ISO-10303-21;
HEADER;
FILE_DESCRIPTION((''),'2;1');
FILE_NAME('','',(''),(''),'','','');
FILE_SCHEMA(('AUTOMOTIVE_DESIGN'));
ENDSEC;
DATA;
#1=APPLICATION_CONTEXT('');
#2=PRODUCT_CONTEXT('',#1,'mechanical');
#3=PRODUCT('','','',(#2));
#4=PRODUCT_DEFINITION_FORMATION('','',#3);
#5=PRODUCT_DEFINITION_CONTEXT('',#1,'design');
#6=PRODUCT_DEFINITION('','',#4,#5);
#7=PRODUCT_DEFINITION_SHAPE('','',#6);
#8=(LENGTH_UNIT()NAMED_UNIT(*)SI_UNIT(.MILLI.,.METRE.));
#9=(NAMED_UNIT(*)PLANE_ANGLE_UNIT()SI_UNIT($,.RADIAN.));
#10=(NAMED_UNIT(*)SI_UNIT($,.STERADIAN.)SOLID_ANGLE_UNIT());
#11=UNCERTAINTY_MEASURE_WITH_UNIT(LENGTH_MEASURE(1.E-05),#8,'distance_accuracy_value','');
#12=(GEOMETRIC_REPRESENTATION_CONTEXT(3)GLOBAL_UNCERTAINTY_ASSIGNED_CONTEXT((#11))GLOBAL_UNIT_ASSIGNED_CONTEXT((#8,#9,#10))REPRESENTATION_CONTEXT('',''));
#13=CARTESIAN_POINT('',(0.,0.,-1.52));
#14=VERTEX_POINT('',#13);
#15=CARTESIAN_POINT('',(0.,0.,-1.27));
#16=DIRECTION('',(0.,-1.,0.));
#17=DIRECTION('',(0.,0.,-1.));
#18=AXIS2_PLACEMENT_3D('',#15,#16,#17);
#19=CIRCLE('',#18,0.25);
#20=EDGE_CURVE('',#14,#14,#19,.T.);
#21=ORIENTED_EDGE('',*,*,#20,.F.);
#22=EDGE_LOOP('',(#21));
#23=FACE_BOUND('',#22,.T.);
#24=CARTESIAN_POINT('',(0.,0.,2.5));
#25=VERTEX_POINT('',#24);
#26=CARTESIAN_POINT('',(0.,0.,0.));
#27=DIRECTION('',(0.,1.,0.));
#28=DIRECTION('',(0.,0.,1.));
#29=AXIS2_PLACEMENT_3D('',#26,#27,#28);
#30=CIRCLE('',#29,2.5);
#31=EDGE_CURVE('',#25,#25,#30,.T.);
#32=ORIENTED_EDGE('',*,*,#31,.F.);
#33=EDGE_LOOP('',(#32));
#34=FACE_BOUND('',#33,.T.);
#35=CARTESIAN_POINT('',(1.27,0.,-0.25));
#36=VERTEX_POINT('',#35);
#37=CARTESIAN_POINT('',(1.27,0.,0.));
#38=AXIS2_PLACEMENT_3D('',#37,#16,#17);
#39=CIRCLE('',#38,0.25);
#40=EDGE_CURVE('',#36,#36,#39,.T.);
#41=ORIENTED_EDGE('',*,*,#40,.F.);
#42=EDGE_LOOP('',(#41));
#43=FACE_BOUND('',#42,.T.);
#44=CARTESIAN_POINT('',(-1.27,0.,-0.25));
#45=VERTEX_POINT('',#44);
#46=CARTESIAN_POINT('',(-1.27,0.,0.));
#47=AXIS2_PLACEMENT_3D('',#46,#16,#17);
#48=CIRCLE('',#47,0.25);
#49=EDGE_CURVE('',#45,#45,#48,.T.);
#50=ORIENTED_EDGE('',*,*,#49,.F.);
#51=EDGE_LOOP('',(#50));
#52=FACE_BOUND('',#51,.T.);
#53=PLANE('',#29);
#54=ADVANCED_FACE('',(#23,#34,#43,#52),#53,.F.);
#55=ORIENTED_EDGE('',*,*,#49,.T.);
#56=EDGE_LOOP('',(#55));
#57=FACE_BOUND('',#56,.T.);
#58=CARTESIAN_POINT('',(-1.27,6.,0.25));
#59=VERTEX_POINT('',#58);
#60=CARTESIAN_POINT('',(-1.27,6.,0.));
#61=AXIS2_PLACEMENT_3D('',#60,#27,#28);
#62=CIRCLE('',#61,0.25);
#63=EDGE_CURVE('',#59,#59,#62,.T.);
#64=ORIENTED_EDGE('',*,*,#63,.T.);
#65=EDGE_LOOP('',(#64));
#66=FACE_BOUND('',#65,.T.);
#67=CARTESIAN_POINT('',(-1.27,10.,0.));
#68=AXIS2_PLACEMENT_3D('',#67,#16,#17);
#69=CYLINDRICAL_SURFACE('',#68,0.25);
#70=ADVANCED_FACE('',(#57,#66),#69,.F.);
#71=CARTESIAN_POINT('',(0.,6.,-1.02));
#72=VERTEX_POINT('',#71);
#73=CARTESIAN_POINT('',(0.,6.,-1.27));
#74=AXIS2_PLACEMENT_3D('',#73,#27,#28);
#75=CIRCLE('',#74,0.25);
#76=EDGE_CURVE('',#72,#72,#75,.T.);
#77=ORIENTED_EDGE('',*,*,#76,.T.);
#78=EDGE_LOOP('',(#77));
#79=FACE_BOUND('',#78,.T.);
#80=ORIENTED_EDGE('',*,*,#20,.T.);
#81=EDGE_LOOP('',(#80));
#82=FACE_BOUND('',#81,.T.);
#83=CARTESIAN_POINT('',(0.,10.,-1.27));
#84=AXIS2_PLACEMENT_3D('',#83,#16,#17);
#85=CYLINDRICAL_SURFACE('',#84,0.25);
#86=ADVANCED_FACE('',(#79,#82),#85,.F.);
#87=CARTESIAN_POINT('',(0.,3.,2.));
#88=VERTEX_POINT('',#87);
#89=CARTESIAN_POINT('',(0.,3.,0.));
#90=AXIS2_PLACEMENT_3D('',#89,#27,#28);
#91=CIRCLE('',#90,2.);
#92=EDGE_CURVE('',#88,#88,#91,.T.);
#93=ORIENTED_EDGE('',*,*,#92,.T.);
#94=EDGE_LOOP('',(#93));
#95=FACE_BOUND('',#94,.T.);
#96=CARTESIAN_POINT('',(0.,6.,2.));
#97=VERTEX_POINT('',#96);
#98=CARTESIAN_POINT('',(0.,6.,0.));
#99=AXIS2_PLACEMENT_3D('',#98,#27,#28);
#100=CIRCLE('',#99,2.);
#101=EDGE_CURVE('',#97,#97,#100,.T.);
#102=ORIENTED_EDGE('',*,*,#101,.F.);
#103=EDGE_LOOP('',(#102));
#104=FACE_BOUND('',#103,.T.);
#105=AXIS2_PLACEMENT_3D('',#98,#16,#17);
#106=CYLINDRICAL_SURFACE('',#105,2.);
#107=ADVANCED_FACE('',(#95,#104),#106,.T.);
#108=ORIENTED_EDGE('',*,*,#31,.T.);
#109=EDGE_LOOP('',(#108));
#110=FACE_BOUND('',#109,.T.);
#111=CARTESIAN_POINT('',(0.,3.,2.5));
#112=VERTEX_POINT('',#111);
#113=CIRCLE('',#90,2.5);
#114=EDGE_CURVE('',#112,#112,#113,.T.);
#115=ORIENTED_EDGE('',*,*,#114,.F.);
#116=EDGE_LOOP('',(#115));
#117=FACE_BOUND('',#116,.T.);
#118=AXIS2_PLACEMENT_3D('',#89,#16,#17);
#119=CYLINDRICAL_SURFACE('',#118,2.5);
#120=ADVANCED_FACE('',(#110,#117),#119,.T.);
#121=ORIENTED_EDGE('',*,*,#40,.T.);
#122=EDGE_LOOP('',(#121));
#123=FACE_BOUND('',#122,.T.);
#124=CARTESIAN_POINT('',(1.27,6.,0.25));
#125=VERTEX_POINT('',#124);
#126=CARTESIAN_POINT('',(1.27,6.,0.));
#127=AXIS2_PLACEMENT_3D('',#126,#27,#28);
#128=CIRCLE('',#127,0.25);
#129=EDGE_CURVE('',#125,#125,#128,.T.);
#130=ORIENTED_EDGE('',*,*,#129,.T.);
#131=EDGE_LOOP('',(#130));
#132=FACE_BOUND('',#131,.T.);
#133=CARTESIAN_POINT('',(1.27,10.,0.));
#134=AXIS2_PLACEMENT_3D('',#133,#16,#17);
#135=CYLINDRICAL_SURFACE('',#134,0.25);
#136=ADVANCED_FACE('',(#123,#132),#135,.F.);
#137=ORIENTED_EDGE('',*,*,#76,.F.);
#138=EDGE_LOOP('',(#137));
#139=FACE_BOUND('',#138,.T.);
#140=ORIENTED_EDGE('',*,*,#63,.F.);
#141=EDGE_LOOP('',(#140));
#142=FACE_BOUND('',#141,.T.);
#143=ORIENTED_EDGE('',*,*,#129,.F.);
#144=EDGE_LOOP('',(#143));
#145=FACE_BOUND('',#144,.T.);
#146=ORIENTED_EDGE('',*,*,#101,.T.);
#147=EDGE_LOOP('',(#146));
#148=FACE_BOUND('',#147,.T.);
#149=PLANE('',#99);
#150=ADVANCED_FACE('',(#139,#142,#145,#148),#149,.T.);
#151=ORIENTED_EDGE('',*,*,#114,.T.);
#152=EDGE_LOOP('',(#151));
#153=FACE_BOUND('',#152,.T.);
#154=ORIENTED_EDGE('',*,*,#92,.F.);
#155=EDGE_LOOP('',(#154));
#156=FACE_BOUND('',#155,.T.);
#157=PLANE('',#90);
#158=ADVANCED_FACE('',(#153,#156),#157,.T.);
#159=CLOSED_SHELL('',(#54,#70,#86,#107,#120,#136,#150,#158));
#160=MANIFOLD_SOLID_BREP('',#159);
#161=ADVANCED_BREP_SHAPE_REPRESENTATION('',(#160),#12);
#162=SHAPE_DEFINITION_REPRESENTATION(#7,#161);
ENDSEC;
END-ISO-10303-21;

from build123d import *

# Parameters (mm, degrees)
SKETCH_1_R          = 2.5
EXTRUDE_1_DEPTH     = 3
SKETCH_2_R          = 2
EXTRUDE_2_DEPTH     = 3
SKETCH_3_R          = 0.25
CUT_EXTRUDE_1_DEPTH = 10


with BuildPart() as part:
    # Эскиз1 → Бобышка-Вытянуть1 (new body)
    with BuildSketch(Plane(origin=(0, 0, 0), x_dir=(1, 0, 0), z_dir=(0, 1, 0))):
        with Locations(Location((0, 0, 0), (0, 0, 270))):
            Circle(SKETCH_1_R)
    extrude(amount=EXTRUDE_1_DEPTH)

    # Эскиз2 → Бобышка-Вытянуть2 (add)
    with BuildSketch(Plane(origin=(0, 3, 0), x_dir=(1, 0, 0), z_dir=(0, 1, 0))):
        with Locations(Location((0, 0, 0), (0, 0, 270))):
            Circle(SKETCH_2_R)
    extrude(amount=EXTRUDE_2_DEPTH)

    # Эскиз3 → Вырез-Вытянуть1 (cut)
    with BuildSketch(Plane.XZ):
        with Locations(Location((0, -1.27, 0), (0, 0, 270))):
            Circle(SKETCH_3_R)
        with Locations(Location((1.27, 0, 0), (0, 0, 270))):
            Circle(SKETCH_3_R)
        with Locations(Location((-1.27, 0, 0), (0, 0, 270))):
            Circle(SKETCH_3_R)
    extrude(amount=-CUT_EXTRUDE_1_DEPTH, mode=Mode.SUBTRACT)


solid = part.part
